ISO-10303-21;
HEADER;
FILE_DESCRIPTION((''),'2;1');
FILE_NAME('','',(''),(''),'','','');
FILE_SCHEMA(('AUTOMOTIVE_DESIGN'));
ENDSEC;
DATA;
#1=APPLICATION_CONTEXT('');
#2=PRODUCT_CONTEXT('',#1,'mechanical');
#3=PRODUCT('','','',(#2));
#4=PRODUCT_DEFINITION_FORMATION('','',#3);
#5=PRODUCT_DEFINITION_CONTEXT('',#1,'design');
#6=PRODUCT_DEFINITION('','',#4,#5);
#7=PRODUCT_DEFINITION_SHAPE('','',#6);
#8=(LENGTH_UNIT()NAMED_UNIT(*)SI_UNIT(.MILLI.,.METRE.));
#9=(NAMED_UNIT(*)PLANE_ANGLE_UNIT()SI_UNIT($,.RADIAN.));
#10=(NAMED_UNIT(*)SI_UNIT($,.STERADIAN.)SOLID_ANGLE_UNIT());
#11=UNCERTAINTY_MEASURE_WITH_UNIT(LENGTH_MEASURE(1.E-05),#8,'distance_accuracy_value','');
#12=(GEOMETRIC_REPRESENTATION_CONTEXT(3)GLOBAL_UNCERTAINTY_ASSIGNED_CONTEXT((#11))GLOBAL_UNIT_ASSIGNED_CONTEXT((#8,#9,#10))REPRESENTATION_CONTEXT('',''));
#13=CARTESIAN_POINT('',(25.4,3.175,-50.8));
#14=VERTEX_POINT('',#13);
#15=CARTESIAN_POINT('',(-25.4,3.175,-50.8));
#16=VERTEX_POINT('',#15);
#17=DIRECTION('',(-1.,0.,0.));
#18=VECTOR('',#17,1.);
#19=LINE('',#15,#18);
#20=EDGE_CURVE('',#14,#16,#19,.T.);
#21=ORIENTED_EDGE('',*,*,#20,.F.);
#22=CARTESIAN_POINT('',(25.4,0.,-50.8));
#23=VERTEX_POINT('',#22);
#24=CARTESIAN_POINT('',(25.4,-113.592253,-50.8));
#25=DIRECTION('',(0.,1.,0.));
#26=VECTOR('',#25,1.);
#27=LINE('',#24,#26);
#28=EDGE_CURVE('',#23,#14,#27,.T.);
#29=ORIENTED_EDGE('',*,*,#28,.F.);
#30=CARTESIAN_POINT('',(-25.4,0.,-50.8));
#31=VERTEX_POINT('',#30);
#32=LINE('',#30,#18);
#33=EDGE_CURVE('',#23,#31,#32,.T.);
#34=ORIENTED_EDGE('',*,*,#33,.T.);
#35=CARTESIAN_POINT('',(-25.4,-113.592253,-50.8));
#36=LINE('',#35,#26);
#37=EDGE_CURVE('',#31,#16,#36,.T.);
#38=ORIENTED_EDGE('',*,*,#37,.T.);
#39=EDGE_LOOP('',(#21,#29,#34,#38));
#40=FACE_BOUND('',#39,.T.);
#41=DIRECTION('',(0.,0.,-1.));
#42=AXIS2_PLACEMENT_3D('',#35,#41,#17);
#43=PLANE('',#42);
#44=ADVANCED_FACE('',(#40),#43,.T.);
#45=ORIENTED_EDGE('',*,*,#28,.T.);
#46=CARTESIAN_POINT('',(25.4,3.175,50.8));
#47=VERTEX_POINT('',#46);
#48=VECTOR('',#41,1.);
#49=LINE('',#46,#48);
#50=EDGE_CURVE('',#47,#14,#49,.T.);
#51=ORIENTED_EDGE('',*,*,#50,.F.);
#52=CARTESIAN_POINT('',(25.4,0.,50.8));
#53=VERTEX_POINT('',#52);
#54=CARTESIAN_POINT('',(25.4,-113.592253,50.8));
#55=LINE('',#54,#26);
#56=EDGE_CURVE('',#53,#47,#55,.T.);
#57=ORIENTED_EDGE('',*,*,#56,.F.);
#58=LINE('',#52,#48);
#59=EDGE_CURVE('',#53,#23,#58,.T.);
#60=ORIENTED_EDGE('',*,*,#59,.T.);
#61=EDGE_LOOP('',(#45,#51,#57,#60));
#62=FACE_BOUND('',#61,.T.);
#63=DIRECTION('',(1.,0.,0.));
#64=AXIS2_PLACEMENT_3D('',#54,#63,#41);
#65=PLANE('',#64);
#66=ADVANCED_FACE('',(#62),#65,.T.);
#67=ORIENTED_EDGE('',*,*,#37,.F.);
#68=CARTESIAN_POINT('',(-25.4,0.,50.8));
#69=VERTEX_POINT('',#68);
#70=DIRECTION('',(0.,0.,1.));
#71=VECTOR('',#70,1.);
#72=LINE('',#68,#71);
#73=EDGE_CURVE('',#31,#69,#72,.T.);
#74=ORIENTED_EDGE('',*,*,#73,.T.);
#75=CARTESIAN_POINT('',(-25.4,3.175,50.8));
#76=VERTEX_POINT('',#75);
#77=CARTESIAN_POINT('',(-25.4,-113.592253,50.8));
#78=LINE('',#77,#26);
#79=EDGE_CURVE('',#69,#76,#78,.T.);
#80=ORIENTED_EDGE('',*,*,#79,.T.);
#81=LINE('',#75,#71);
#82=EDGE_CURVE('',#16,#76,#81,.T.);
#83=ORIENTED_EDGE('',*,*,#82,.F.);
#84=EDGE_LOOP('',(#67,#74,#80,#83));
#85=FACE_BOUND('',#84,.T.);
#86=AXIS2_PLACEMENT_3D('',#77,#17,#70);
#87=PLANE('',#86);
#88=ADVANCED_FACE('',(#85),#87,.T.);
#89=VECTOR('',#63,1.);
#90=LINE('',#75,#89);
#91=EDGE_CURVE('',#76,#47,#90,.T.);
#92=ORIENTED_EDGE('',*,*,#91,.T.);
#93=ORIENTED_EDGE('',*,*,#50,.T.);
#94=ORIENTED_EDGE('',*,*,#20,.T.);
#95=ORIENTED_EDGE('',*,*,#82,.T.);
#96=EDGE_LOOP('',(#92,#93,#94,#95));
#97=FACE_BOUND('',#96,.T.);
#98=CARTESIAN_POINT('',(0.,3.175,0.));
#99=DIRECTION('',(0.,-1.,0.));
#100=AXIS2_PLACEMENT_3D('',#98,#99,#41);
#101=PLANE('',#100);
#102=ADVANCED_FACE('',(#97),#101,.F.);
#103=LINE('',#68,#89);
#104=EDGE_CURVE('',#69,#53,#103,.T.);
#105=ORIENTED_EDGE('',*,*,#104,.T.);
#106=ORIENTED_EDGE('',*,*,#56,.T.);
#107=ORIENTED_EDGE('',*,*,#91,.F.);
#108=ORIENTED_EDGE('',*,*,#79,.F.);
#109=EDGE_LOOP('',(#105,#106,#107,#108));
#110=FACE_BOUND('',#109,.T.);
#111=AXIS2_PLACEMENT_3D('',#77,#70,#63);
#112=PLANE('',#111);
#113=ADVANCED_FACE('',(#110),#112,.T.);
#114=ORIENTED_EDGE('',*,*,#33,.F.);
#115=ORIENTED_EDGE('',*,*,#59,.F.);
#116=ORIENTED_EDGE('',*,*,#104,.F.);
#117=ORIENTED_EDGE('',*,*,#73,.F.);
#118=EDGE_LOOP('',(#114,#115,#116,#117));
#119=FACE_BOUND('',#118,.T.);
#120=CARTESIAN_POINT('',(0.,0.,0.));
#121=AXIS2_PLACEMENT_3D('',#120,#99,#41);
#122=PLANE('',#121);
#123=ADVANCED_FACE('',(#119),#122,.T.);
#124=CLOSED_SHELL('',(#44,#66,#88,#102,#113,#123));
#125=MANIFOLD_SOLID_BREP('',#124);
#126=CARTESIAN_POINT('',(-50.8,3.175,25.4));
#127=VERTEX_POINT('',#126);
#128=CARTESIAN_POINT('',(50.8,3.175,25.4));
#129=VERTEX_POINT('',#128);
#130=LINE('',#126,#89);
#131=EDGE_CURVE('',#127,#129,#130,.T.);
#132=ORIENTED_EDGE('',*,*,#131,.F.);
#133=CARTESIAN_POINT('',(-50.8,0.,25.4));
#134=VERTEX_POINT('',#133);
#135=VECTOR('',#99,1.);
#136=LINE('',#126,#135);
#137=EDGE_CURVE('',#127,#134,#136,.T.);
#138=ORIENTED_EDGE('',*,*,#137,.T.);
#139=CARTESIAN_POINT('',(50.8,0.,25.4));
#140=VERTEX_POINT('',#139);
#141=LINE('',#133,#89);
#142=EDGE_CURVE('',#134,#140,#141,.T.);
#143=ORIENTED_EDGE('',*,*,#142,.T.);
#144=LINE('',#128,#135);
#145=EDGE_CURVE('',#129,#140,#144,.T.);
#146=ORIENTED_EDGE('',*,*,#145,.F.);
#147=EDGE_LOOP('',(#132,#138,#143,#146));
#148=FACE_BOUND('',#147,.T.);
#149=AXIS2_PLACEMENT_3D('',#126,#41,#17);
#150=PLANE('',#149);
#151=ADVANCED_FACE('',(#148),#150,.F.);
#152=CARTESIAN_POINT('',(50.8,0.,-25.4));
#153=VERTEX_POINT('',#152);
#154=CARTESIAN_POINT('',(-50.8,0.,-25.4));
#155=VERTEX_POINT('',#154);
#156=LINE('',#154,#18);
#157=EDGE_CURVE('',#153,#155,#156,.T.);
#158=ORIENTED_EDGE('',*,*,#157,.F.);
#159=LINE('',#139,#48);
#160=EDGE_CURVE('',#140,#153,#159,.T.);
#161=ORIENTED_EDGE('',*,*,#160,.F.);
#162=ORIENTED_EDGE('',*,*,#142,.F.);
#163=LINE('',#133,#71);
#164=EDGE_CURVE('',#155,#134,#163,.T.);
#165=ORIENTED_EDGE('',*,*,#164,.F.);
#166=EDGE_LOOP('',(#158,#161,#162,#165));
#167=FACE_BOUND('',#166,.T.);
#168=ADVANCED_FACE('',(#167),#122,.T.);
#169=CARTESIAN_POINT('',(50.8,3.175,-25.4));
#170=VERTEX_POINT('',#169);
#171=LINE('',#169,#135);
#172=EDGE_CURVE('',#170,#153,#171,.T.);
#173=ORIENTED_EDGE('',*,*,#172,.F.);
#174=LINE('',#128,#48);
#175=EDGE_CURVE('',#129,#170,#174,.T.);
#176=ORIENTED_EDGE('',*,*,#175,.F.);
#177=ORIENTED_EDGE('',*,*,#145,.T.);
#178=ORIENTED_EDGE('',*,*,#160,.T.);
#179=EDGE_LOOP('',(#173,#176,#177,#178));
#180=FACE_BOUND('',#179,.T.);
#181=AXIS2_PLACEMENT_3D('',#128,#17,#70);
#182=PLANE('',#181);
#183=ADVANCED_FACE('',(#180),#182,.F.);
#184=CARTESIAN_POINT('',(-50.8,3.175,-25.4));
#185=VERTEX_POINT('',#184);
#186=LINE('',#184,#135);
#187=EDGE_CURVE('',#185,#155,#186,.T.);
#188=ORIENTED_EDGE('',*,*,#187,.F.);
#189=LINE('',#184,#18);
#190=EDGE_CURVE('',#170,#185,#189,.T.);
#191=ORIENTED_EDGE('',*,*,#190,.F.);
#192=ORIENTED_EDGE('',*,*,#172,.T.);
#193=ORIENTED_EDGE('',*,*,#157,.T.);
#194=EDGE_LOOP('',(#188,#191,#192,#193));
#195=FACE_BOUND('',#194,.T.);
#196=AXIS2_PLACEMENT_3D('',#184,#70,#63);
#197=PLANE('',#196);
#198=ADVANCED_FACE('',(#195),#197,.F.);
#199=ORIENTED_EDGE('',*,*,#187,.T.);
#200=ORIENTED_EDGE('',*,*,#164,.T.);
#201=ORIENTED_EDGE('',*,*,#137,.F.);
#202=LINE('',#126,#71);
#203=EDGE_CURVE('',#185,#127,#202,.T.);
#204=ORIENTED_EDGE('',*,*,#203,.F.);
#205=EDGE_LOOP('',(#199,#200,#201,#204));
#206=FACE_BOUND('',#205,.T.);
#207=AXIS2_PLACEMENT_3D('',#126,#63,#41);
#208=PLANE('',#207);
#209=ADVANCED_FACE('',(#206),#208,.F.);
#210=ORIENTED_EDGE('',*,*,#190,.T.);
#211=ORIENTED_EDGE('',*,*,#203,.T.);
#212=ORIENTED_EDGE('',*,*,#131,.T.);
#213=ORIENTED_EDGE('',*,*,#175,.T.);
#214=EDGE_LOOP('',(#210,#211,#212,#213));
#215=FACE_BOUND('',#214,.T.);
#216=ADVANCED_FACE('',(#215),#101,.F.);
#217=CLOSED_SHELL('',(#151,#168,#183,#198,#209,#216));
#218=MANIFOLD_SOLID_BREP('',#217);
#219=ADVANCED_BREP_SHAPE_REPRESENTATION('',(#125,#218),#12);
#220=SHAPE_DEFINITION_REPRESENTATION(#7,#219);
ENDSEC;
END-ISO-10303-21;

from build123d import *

# Parameters (mm, degrees)
SKETCH2_W           = 101.6
SKETCH2_H           = 50.8
BOSS_EXTRUDE2_DEPTH = 3.175
SKETCH3_W           = 50.8
SKETCH3_H           = 101.6
BOSS_EXTRUDE3_DEPTH = 3.175


with BuildPart() as part:
    # Sketch2 → Boss-Extrude2 (new body)
    with BuildSketch(Plane(origin=(0, 0, 0), x_dir=(1, 0, 0), z_dir=(0, 1, 0))):
        Rectangle(SKETCH2_W, SKETCH2_H)
    extrude(amount=BOSS_EXTRUDE2_DEPTH)


with BuildPart() as body_2:
    # Sketch3 → Boss-Extrude3 (new body)
    with BuildSketch(Plane(origin=(0, 3.175, 0), x_dir=(1, 0, 0), z_dir=(0, 1, 0))):
        Rectangle(SKETCH3_W, SKETCH3_H)
    extrude(amount=-BOSS_EXTRUDE3_DEPTH)


solid = Compound([part.part, body_2.part])
